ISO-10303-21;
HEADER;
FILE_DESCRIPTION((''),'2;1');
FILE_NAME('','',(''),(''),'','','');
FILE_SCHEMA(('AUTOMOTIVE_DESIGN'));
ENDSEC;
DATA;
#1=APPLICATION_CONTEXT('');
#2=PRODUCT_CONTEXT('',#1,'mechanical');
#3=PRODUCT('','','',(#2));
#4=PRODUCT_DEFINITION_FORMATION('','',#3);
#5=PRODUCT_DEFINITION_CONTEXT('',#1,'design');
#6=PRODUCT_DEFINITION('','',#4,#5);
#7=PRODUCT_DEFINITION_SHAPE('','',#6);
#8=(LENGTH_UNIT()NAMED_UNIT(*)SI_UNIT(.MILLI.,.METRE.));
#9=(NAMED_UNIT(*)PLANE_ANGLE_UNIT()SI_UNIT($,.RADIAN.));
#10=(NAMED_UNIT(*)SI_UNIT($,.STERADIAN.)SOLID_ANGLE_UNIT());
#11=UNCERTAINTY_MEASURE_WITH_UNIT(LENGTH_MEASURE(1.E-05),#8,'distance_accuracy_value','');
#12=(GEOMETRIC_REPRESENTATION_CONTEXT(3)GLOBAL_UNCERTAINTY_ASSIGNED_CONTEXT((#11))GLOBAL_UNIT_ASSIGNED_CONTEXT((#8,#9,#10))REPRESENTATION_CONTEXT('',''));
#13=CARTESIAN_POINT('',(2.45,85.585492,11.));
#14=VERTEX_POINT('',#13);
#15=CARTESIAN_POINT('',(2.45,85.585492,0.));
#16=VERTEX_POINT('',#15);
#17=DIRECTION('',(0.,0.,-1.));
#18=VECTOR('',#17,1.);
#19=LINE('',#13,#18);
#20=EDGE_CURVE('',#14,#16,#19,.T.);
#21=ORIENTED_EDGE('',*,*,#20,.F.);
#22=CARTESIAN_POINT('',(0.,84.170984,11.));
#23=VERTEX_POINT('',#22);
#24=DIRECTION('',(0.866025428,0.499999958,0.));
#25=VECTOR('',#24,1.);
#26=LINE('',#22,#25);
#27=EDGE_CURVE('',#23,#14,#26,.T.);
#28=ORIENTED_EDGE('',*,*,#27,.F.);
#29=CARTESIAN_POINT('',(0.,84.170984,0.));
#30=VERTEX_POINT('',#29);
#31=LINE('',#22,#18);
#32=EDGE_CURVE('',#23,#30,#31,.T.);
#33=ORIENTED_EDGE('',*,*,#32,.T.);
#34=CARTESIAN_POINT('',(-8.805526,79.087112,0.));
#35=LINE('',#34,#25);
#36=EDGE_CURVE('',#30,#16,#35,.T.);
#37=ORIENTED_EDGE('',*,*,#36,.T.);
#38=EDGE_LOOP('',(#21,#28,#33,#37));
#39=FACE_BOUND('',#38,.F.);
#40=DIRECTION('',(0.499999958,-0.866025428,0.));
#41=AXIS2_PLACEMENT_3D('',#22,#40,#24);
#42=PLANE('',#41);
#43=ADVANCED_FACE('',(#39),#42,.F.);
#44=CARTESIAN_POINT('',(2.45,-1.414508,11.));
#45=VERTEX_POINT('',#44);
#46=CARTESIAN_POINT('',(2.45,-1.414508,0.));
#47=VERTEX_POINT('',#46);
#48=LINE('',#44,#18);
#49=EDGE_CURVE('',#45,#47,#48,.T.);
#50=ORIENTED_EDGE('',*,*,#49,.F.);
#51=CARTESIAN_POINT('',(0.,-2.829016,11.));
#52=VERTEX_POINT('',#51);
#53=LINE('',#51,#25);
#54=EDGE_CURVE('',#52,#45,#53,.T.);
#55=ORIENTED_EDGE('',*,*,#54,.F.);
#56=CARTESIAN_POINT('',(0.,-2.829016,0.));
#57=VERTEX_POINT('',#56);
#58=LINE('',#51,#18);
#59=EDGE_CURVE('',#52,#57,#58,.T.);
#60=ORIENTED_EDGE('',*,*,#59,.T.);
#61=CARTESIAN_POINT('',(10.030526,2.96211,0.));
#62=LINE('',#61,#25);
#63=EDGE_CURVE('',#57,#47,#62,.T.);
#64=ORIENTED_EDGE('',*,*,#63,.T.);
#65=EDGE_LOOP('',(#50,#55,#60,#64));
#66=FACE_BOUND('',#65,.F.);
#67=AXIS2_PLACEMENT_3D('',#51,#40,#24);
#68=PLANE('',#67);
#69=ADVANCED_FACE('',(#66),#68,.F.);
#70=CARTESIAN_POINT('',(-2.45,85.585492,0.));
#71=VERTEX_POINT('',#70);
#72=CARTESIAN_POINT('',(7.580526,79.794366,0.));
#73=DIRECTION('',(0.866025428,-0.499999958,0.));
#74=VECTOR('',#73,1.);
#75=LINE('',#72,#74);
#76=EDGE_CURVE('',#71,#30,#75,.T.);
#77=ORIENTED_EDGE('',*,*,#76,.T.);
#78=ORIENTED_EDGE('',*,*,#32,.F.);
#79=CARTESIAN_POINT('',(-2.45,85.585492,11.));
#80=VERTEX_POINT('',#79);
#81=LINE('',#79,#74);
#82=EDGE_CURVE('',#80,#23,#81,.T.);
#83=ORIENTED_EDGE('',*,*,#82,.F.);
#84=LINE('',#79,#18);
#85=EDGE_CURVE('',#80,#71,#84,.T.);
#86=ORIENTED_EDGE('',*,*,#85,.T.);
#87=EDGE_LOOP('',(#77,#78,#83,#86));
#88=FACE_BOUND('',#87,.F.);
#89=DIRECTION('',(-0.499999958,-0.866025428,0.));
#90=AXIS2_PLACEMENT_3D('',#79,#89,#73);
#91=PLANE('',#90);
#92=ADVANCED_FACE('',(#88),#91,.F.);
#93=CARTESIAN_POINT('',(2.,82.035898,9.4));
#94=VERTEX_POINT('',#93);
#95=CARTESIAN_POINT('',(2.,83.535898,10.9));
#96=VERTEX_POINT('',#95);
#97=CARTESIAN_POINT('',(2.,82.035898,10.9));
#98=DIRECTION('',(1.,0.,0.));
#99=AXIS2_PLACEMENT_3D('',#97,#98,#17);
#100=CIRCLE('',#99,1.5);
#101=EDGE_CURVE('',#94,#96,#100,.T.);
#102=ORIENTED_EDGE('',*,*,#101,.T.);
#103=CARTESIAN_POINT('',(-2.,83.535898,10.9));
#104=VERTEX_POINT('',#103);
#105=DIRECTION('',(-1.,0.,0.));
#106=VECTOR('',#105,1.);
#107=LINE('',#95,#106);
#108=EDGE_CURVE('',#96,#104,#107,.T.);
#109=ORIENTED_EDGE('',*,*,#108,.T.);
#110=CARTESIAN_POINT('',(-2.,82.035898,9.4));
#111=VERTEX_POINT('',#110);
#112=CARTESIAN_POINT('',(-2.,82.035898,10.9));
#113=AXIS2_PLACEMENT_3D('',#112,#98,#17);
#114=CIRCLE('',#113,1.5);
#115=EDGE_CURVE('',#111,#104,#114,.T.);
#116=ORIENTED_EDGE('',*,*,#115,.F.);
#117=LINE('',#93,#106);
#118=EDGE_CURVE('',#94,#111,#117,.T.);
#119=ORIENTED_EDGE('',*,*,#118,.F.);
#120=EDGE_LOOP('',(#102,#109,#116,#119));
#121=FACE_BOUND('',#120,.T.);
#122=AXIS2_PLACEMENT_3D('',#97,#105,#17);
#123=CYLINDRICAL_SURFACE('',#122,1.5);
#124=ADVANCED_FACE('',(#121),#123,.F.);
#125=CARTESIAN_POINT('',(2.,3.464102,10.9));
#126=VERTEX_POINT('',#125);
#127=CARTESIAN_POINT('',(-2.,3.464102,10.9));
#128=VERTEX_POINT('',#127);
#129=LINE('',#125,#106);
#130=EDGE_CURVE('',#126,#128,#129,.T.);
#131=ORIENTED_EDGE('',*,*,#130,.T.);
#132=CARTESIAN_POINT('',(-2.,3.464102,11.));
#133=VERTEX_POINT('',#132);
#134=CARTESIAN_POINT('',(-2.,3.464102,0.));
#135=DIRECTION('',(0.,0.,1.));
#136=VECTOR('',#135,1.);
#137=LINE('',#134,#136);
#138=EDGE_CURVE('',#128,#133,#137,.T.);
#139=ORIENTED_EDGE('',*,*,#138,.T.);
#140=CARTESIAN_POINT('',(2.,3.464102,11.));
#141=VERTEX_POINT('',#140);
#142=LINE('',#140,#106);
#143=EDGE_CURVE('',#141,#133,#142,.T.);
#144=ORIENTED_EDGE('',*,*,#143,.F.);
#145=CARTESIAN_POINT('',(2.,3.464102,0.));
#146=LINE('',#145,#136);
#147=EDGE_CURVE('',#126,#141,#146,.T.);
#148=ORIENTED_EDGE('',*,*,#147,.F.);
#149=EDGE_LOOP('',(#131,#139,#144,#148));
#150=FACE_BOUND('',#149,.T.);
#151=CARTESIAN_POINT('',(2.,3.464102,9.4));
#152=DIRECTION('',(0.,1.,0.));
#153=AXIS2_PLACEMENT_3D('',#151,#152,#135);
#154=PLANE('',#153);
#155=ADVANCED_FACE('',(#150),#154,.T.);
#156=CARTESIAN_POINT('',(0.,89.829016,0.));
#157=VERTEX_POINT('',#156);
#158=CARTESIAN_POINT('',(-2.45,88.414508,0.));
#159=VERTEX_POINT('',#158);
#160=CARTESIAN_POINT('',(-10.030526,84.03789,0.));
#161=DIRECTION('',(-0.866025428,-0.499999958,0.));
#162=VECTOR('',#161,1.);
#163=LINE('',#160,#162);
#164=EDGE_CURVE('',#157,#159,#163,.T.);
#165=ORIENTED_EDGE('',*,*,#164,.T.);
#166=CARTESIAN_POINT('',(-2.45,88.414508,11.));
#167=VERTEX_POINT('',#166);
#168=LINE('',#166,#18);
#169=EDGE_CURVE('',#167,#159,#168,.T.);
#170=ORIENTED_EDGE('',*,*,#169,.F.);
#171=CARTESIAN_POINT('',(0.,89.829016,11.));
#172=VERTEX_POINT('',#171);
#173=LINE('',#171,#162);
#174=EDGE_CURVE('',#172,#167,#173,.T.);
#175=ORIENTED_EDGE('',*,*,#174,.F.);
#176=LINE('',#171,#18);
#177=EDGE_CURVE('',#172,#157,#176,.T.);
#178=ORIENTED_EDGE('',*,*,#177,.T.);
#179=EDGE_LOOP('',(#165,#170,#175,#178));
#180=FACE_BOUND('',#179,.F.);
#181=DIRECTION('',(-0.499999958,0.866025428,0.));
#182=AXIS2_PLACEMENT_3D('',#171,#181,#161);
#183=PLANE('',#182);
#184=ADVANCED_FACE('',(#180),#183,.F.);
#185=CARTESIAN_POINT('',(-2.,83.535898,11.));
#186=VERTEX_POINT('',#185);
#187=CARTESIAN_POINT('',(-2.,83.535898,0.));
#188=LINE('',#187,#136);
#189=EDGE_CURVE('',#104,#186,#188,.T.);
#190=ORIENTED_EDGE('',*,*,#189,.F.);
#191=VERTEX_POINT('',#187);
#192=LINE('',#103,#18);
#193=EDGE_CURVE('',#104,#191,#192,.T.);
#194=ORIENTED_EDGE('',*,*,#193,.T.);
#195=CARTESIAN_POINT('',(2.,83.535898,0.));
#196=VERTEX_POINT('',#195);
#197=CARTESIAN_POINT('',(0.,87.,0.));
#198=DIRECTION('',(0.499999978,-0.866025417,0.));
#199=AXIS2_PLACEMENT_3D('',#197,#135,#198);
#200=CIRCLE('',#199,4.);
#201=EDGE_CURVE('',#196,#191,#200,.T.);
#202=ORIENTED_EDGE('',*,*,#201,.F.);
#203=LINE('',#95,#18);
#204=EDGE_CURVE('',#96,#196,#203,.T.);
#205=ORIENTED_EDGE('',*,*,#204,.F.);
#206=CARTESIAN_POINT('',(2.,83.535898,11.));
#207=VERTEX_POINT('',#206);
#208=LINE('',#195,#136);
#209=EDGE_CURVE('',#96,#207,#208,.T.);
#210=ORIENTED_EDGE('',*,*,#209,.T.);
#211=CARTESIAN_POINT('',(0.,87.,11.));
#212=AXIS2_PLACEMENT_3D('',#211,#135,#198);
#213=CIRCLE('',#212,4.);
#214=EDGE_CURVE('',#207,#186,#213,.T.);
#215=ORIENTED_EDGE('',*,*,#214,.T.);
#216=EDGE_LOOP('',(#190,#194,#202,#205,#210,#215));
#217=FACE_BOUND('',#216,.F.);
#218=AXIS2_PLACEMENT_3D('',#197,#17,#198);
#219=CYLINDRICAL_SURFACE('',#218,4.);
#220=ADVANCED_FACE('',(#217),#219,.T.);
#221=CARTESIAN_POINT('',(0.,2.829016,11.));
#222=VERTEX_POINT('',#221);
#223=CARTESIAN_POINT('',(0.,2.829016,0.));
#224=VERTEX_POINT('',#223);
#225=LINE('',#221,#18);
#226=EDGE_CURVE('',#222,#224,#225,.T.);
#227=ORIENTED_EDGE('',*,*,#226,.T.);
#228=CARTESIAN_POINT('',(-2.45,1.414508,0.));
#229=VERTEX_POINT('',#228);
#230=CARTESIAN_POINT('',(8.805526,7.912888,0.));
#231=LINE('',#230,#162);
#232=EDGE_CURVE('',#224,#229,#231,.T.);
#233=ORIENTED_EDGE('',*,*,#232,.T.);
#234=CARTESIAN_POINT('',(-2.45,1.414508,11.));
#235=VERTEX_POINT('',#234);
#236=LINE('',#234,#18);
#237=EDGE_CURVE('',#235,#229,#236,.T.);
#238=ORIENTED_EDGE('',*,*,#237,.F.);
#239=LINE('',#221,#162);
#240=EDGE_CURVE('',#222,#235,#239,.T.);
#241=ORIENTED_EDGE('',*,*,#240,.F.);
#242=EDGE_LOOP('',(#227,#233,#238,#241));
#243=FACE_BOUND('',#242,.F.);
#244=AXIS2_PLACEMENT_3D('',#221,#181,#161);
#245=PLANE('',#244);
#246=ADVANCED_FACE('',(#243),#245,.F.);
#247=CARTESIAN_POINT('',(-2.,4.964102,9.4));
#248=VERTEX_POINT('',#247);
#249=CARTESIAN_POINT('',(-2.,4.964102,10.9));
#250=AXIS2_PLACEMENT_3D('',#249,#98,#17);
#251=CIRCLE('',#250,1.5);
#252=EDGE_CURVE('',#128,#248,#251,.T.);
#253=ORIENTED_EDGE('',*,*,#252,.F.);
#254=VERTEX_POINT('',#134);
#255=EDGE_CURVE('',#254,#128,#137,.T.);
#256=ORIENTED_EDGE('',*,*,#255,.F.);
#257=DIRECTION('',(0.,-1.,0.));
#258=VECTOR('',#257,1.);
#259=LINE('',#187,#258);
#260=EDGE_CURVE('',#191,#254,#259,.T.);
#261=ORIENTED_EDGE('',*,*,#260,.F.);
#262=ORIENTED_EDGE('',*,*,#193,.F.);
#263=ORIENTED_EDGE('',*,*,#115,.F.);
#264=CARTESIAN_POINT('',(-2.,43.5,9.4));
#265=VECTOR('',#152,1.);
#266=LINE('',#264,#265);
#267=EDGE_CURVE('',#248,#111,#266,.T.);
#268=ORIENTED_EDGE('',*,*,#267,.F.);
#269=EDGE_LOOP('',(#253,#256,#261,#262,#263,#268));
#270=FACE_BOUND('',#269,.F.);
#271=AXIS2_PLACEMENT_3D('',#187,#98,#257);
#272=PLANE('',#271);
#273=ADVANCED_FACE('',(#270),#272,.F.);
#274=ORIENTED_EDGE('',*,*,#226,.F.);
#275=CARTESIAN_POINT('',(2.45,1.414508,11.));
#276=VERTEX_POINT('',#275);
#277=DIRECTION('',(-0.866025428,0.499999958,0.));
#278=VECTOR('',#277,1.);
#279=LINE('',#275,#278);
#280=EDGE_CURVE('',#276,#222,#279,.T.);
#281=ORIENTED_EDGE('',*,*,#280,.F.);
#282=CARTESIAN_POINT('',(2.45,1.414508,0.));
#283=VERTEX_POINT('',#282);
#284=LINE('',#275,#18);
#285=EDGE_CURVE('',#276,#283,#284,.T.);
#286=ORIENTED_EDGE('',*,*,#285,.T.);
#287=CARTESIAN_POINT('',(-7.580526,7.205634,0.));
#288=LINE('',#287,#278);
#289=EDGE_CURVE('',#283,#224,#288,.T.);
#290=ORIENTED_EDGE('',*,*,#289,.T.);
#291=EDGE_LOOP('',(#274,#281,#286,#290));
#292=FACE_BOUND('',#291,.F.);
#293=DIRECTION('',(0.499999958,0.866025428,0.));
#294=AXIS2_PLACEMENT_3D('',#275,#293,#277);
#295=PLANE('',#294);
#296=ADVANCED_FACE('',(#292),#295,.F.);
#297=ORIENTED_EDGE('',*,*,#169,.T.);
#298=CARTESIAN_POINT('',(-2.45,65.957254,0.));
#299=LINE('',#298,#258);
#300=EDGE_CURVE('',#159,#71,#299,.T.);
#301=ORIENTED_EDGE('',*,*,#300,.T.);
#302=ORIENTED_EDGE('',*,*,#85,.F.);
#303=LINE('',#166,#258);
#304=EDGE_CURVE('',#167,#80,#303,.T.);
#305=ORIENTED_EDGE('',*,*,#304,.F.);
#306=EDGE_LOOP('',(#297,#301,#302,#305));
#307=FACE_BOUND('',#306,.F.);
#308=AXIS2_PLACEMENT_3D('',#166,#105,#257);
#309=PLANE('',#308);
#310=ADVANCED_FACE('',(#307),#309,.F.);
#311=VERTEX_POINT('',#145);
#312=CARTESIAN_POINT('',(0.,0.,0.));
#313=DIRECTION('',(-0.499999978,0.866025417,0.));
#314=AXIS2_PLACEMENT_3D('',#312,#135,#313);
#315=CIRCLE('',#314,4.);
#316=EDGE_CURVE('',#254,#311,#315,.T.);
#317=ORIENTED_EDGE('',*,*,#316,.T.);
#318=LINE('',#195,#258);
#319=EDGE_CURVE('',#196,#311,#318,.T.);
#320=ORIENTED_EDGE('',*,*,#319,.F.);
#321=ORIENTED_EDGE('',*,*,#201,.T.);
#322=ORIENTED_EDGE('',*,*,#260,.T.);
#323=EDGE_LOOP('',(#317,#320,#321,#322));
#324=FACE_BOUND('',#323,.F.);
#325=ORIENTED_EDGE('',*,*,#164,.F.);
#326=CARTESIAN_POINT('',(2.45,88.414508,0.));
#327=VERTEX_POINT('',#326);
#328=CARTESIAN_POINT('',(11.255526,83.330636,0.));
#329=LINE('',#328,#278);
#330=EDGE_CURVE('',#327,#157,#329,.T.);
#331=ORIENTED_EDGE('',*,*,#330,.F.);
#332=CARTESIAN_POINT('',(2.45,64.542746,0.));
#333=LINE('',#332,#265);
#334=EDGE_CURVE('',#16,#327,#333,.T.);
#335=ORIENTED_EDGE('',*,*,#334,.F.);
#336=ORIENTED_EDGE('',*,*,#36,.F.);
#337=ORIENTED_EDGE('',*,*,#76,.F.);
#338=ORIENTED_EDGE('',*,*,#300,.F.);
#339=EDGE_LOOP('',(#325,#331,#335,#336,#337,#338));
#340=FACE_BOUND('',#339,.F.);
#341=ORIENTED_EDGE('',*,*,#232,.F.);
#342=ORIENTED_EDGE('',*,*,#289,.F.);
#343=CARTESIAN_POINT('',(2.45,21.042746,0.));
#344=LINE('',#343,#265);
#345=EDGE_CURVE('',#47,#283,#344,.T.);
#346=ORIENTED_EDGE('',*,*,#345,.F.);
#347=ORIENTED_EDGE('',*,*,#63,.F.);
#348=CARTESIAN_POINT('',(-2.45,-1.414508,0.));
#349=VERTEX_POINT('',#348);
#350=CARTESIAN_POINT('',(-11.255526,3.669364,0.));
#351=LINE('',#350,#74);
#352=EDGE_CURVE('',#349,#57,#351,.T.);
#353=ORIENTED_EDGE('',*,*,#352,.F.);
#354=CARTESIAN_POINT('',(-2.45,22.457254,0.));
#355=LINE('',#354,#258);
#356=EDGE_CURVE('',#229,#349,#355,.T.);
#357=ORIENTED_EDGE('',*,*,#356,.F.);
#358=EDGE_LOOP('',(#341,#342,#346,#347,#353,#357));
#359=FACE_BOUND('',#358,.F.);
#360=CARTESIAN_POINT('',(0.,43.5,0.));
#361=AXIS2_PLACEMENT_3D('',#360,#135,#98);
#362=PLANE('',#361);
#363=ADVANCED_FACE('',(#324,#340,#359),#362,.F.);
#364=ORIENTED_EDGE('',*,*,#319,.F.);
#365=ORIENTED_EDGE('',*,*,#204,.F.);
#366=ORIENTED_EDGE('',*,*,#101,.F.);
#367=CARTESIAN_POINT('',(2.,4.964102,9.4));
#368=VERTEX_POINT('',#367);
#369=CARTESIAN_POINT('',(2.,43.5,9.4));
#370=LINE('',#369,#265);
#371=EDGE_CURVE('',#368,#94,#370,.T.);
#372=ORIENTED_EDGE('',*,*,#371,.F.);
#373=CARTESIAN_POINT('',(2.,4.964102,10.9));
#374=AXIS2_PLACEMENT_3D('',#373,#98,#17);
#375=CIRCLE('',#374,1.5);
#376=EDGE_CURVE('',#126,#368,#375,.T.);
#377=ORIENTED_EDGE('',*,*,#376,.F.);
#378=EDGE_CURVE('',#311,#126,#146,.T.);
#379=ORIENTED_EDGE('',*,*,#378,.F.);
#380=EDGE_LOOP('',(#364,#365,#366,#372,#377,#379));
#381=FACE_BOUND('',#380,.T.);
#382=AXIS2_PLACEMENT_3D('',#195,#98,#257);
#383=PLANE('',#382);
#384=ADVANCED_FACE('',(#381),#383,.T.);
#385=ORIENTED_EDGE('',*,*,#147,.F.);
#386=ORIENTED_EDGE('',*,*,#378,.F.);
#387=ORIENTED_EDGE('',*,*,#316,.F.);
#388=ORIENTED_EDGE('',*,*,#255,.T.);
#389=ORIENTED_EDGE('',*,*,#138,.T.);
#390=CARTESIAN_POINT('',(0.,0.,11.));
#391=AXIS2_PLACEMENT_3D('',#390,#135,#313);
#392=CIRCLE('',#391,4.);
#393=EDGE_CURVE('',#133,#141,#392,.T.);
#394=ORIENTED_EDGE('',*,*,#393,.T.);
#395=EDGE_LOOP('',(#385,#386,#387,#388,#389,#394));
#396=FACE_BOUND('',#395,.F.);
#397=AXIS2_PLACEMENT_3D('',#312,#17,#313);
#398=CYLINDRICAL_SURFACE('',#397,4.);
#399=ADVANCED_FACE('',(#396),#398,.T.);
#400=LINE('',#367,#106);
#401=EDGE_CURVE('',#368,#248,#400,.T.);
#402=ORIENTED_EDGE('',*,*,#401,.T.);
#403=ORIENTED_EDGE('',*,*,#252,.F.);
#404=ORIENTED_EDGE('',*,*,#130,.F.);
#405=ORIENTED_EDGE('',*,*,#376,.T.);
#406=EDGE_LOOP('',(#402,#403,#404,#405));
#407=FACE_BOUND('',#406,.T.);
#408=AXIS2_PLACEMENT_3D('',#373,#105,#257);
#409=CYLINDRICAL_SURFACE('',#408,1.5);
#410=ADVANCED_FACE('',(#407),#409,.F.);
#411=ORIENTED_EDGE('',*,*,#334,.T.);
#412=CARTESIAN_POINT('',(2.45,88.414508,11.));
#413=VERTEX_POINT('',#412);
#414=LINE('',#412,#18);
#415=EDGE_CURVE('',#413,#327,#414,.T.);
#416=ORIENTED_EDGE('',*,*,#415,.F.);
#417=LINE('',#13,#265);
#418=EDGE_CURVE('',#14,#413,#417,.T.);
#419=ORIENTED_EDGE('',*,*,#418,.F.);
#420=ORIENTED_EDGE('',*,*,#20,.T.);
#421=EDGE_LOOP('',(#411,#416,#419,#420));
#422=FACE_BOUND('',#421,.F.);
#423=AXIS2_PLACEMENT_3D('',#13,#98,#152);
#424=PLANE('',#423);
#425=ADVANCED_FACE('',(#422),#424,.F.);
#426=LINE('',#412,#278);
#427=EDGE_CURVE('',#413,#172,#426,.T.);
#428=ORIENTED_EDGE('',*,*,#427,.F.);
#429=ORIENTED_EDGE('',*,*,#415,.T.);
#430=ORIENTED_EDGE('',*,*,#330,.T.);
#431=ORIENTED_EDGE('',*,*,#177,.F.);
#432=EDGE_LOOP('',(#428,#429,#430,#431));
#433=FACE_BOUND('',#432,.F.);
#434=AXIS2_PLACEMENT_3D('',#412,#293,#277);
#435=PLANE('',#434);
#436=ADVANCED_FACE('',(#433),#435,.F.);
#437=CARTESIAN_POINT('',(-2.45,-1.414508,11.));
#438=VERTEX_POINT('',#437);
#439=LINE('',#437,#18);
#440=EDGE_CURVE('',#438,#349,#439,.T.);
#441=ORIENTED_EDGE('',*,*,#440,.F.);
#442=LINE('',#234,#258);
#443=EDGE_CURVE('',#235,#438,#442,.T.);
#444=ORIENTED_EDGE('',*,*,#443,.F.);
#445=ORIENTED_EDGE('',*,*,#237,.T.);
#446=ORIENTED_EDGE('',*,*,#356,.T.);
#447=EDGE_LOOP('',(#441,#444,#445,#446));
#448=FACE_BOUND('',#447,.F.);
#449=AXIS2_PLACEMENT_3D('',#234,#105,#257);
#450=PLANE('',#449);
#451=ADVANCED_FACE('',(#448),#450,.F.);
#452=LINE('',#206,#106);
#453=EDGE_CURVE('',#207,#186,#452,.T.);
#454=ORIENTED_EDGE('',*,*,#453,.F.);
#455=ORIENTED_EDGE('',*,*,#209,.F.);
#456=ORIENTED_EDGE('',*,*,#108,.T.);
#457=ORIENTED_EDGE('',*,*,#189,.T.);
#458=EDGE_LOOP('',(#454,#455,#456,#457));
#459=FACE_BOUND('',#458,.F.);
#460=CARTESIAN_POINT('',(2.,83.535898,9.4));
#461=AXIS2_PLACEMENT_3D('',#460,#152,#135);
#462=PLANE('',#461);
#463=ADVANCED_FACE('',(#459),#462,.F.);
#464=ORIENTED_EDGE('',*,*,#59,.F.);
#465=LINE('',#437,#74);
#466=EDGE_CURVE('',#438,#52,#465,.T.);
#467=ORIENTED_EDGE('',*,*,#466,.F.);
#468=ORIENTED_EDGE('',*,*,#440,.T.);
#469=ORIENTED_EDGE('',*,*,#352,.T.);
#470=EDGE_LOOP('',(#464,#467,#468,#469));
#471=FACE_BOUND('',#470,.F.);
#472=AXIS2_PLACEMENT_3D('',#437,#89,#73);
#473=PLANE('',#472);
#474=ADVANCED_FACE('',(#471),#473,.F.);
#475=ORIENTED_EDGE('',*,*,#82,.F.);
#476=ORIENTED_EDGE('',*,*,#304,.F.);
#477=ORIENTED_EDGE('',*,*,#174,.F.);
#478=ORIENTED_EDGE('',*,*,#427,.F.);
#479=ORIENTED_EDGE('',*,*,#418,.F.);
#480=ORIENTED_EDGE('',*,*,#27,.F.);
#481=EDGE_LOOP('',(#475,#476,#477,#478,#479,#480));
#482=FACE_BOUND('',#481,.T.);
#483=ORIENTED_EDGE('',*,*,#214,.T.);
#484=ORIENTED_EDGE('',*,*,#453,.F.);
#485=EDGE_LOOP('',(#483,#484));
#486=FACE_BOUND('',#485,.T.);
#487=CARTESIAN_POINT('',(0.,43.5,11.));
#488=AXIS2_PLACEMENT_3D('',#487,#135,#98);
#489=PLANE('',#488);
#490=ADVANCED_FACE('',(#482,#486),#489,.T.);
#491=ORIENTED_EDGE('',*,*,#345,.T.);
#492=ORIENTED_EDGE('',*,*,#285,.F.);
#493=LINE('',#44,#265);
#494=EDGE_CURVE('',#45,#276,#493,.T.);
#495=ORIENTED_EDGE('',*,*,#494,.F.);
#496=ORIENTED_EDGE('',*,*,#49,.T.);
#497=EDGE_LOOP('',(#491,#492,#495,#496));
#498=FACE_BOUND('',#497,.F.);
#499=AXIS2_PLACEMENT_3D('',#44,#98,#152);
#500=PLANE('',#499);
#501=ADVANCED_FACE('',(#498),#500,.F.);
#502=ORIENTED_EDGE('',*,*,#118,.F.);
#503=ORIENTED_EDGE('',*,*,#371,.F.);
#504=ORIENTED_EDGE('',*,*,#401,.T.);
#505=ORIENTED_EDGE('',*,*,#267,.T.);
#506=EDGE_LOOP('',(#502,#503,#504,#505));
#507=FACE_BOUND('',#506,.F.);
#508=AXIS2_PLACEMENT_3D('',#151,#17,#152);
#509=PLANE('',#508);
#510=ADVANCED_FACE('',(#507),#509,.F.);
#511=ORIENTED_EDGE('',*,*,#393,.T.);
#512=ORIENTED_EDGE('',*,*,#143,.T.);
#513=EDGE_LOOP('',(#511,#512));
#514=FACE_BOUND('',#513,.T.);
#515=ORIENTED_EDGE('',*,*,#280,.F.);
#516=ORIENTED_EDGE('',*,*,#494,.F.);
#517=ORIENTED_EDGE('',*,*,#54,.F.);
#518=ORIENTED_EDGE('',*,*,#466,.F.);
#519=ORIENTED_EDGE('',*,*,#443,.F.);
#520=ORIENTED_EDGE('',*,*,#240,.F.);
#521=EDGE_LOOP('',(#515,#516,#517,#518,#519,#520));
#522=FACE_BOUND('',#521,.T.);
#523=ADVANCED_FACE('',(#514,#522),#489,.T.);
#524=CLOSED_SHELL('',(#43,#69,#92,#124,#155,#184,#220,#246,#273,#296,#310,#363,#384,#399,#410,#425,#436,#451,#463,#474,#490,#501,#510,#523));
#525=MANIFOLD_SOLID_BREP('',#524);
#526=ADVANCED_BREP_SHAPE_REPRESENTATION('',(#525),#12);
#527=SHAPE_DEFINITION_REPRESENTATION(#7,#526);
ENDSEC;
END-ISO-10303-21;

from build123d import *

# Parameters (mm, degrees)
PAD_DEPTH       = 11
POCKET_DEPTH    = 11.001
SKETCH002_W     = 80.071796
SKETCH002_H     = 1.6
POCKET001_DEPTH = 6.001
FILLET_R        = 1.5
FILLET001_R     = 1.5


with BuildPart() as part:
    # Sketch → Pad (new body)
    with BuildSketch(Plane.XY):
        with BuildLine():
            ThreePointArc((-2, 3.464102), (0, -4), (2, 3.464102))
            Line((2, 83.535898), (2, 3.464102))
            ThreePointArc((2, 83.535898), (0, 91), (-2, 83.535898))
            Line((-2, 83.535898), (-2, 3.464102))
        make_face()
    extrude(amount=PAD_DEPTH)

    # Sketch001 (on Face6 of Pad) → Pocket (cut, through all)
    with BuildSketch(Plane.XY.offset(11)):
        Polygon((2.45, 85.585492), (2.45, 88.414508), (0, 89.829016), (-2.45, 88.414508), (-2.45, 85.585492), (0, 84.170984), align=None)
        Polygon((2.45, -1.414508), (2.45, 1.414508), (0, 2.829016), (-2.45, 1.414508), (-2.45, -1.414508), (0, -2.829016), align=None)
    extrude(amount=-POCKET_DEPTH, mode=Mode.SUBTRACT)

    # Sketch002 (on Face2 of Pocket) → Pocket001 (cut, through all)
    with BuildSketch(Plane.YZ.offset(2)):
        with Locations((43.5, 10.2)):
            Rectangle(SKETCH002_W, SKETCH002_H)
    extrude(amount=-POCKET001_DEPTH, mode=Mode.SUBTRACT)

    # Fillet
    fillet_edges = [part.edges().sort_by_distance(p)[0] for p in [
        (0, 83.535898, 9.4),
    ]]
    fillet(fillet_edges, radius=FILLET_R)

    # Fillet001
    fillet001_edges = [part.edges().sort_by_distance(p)[0] for p in [
        (0, 3.464102, 9.4),
    ]]
    fillet(fillet001_edges, radius=FILLET001_R)


solid = part.part
